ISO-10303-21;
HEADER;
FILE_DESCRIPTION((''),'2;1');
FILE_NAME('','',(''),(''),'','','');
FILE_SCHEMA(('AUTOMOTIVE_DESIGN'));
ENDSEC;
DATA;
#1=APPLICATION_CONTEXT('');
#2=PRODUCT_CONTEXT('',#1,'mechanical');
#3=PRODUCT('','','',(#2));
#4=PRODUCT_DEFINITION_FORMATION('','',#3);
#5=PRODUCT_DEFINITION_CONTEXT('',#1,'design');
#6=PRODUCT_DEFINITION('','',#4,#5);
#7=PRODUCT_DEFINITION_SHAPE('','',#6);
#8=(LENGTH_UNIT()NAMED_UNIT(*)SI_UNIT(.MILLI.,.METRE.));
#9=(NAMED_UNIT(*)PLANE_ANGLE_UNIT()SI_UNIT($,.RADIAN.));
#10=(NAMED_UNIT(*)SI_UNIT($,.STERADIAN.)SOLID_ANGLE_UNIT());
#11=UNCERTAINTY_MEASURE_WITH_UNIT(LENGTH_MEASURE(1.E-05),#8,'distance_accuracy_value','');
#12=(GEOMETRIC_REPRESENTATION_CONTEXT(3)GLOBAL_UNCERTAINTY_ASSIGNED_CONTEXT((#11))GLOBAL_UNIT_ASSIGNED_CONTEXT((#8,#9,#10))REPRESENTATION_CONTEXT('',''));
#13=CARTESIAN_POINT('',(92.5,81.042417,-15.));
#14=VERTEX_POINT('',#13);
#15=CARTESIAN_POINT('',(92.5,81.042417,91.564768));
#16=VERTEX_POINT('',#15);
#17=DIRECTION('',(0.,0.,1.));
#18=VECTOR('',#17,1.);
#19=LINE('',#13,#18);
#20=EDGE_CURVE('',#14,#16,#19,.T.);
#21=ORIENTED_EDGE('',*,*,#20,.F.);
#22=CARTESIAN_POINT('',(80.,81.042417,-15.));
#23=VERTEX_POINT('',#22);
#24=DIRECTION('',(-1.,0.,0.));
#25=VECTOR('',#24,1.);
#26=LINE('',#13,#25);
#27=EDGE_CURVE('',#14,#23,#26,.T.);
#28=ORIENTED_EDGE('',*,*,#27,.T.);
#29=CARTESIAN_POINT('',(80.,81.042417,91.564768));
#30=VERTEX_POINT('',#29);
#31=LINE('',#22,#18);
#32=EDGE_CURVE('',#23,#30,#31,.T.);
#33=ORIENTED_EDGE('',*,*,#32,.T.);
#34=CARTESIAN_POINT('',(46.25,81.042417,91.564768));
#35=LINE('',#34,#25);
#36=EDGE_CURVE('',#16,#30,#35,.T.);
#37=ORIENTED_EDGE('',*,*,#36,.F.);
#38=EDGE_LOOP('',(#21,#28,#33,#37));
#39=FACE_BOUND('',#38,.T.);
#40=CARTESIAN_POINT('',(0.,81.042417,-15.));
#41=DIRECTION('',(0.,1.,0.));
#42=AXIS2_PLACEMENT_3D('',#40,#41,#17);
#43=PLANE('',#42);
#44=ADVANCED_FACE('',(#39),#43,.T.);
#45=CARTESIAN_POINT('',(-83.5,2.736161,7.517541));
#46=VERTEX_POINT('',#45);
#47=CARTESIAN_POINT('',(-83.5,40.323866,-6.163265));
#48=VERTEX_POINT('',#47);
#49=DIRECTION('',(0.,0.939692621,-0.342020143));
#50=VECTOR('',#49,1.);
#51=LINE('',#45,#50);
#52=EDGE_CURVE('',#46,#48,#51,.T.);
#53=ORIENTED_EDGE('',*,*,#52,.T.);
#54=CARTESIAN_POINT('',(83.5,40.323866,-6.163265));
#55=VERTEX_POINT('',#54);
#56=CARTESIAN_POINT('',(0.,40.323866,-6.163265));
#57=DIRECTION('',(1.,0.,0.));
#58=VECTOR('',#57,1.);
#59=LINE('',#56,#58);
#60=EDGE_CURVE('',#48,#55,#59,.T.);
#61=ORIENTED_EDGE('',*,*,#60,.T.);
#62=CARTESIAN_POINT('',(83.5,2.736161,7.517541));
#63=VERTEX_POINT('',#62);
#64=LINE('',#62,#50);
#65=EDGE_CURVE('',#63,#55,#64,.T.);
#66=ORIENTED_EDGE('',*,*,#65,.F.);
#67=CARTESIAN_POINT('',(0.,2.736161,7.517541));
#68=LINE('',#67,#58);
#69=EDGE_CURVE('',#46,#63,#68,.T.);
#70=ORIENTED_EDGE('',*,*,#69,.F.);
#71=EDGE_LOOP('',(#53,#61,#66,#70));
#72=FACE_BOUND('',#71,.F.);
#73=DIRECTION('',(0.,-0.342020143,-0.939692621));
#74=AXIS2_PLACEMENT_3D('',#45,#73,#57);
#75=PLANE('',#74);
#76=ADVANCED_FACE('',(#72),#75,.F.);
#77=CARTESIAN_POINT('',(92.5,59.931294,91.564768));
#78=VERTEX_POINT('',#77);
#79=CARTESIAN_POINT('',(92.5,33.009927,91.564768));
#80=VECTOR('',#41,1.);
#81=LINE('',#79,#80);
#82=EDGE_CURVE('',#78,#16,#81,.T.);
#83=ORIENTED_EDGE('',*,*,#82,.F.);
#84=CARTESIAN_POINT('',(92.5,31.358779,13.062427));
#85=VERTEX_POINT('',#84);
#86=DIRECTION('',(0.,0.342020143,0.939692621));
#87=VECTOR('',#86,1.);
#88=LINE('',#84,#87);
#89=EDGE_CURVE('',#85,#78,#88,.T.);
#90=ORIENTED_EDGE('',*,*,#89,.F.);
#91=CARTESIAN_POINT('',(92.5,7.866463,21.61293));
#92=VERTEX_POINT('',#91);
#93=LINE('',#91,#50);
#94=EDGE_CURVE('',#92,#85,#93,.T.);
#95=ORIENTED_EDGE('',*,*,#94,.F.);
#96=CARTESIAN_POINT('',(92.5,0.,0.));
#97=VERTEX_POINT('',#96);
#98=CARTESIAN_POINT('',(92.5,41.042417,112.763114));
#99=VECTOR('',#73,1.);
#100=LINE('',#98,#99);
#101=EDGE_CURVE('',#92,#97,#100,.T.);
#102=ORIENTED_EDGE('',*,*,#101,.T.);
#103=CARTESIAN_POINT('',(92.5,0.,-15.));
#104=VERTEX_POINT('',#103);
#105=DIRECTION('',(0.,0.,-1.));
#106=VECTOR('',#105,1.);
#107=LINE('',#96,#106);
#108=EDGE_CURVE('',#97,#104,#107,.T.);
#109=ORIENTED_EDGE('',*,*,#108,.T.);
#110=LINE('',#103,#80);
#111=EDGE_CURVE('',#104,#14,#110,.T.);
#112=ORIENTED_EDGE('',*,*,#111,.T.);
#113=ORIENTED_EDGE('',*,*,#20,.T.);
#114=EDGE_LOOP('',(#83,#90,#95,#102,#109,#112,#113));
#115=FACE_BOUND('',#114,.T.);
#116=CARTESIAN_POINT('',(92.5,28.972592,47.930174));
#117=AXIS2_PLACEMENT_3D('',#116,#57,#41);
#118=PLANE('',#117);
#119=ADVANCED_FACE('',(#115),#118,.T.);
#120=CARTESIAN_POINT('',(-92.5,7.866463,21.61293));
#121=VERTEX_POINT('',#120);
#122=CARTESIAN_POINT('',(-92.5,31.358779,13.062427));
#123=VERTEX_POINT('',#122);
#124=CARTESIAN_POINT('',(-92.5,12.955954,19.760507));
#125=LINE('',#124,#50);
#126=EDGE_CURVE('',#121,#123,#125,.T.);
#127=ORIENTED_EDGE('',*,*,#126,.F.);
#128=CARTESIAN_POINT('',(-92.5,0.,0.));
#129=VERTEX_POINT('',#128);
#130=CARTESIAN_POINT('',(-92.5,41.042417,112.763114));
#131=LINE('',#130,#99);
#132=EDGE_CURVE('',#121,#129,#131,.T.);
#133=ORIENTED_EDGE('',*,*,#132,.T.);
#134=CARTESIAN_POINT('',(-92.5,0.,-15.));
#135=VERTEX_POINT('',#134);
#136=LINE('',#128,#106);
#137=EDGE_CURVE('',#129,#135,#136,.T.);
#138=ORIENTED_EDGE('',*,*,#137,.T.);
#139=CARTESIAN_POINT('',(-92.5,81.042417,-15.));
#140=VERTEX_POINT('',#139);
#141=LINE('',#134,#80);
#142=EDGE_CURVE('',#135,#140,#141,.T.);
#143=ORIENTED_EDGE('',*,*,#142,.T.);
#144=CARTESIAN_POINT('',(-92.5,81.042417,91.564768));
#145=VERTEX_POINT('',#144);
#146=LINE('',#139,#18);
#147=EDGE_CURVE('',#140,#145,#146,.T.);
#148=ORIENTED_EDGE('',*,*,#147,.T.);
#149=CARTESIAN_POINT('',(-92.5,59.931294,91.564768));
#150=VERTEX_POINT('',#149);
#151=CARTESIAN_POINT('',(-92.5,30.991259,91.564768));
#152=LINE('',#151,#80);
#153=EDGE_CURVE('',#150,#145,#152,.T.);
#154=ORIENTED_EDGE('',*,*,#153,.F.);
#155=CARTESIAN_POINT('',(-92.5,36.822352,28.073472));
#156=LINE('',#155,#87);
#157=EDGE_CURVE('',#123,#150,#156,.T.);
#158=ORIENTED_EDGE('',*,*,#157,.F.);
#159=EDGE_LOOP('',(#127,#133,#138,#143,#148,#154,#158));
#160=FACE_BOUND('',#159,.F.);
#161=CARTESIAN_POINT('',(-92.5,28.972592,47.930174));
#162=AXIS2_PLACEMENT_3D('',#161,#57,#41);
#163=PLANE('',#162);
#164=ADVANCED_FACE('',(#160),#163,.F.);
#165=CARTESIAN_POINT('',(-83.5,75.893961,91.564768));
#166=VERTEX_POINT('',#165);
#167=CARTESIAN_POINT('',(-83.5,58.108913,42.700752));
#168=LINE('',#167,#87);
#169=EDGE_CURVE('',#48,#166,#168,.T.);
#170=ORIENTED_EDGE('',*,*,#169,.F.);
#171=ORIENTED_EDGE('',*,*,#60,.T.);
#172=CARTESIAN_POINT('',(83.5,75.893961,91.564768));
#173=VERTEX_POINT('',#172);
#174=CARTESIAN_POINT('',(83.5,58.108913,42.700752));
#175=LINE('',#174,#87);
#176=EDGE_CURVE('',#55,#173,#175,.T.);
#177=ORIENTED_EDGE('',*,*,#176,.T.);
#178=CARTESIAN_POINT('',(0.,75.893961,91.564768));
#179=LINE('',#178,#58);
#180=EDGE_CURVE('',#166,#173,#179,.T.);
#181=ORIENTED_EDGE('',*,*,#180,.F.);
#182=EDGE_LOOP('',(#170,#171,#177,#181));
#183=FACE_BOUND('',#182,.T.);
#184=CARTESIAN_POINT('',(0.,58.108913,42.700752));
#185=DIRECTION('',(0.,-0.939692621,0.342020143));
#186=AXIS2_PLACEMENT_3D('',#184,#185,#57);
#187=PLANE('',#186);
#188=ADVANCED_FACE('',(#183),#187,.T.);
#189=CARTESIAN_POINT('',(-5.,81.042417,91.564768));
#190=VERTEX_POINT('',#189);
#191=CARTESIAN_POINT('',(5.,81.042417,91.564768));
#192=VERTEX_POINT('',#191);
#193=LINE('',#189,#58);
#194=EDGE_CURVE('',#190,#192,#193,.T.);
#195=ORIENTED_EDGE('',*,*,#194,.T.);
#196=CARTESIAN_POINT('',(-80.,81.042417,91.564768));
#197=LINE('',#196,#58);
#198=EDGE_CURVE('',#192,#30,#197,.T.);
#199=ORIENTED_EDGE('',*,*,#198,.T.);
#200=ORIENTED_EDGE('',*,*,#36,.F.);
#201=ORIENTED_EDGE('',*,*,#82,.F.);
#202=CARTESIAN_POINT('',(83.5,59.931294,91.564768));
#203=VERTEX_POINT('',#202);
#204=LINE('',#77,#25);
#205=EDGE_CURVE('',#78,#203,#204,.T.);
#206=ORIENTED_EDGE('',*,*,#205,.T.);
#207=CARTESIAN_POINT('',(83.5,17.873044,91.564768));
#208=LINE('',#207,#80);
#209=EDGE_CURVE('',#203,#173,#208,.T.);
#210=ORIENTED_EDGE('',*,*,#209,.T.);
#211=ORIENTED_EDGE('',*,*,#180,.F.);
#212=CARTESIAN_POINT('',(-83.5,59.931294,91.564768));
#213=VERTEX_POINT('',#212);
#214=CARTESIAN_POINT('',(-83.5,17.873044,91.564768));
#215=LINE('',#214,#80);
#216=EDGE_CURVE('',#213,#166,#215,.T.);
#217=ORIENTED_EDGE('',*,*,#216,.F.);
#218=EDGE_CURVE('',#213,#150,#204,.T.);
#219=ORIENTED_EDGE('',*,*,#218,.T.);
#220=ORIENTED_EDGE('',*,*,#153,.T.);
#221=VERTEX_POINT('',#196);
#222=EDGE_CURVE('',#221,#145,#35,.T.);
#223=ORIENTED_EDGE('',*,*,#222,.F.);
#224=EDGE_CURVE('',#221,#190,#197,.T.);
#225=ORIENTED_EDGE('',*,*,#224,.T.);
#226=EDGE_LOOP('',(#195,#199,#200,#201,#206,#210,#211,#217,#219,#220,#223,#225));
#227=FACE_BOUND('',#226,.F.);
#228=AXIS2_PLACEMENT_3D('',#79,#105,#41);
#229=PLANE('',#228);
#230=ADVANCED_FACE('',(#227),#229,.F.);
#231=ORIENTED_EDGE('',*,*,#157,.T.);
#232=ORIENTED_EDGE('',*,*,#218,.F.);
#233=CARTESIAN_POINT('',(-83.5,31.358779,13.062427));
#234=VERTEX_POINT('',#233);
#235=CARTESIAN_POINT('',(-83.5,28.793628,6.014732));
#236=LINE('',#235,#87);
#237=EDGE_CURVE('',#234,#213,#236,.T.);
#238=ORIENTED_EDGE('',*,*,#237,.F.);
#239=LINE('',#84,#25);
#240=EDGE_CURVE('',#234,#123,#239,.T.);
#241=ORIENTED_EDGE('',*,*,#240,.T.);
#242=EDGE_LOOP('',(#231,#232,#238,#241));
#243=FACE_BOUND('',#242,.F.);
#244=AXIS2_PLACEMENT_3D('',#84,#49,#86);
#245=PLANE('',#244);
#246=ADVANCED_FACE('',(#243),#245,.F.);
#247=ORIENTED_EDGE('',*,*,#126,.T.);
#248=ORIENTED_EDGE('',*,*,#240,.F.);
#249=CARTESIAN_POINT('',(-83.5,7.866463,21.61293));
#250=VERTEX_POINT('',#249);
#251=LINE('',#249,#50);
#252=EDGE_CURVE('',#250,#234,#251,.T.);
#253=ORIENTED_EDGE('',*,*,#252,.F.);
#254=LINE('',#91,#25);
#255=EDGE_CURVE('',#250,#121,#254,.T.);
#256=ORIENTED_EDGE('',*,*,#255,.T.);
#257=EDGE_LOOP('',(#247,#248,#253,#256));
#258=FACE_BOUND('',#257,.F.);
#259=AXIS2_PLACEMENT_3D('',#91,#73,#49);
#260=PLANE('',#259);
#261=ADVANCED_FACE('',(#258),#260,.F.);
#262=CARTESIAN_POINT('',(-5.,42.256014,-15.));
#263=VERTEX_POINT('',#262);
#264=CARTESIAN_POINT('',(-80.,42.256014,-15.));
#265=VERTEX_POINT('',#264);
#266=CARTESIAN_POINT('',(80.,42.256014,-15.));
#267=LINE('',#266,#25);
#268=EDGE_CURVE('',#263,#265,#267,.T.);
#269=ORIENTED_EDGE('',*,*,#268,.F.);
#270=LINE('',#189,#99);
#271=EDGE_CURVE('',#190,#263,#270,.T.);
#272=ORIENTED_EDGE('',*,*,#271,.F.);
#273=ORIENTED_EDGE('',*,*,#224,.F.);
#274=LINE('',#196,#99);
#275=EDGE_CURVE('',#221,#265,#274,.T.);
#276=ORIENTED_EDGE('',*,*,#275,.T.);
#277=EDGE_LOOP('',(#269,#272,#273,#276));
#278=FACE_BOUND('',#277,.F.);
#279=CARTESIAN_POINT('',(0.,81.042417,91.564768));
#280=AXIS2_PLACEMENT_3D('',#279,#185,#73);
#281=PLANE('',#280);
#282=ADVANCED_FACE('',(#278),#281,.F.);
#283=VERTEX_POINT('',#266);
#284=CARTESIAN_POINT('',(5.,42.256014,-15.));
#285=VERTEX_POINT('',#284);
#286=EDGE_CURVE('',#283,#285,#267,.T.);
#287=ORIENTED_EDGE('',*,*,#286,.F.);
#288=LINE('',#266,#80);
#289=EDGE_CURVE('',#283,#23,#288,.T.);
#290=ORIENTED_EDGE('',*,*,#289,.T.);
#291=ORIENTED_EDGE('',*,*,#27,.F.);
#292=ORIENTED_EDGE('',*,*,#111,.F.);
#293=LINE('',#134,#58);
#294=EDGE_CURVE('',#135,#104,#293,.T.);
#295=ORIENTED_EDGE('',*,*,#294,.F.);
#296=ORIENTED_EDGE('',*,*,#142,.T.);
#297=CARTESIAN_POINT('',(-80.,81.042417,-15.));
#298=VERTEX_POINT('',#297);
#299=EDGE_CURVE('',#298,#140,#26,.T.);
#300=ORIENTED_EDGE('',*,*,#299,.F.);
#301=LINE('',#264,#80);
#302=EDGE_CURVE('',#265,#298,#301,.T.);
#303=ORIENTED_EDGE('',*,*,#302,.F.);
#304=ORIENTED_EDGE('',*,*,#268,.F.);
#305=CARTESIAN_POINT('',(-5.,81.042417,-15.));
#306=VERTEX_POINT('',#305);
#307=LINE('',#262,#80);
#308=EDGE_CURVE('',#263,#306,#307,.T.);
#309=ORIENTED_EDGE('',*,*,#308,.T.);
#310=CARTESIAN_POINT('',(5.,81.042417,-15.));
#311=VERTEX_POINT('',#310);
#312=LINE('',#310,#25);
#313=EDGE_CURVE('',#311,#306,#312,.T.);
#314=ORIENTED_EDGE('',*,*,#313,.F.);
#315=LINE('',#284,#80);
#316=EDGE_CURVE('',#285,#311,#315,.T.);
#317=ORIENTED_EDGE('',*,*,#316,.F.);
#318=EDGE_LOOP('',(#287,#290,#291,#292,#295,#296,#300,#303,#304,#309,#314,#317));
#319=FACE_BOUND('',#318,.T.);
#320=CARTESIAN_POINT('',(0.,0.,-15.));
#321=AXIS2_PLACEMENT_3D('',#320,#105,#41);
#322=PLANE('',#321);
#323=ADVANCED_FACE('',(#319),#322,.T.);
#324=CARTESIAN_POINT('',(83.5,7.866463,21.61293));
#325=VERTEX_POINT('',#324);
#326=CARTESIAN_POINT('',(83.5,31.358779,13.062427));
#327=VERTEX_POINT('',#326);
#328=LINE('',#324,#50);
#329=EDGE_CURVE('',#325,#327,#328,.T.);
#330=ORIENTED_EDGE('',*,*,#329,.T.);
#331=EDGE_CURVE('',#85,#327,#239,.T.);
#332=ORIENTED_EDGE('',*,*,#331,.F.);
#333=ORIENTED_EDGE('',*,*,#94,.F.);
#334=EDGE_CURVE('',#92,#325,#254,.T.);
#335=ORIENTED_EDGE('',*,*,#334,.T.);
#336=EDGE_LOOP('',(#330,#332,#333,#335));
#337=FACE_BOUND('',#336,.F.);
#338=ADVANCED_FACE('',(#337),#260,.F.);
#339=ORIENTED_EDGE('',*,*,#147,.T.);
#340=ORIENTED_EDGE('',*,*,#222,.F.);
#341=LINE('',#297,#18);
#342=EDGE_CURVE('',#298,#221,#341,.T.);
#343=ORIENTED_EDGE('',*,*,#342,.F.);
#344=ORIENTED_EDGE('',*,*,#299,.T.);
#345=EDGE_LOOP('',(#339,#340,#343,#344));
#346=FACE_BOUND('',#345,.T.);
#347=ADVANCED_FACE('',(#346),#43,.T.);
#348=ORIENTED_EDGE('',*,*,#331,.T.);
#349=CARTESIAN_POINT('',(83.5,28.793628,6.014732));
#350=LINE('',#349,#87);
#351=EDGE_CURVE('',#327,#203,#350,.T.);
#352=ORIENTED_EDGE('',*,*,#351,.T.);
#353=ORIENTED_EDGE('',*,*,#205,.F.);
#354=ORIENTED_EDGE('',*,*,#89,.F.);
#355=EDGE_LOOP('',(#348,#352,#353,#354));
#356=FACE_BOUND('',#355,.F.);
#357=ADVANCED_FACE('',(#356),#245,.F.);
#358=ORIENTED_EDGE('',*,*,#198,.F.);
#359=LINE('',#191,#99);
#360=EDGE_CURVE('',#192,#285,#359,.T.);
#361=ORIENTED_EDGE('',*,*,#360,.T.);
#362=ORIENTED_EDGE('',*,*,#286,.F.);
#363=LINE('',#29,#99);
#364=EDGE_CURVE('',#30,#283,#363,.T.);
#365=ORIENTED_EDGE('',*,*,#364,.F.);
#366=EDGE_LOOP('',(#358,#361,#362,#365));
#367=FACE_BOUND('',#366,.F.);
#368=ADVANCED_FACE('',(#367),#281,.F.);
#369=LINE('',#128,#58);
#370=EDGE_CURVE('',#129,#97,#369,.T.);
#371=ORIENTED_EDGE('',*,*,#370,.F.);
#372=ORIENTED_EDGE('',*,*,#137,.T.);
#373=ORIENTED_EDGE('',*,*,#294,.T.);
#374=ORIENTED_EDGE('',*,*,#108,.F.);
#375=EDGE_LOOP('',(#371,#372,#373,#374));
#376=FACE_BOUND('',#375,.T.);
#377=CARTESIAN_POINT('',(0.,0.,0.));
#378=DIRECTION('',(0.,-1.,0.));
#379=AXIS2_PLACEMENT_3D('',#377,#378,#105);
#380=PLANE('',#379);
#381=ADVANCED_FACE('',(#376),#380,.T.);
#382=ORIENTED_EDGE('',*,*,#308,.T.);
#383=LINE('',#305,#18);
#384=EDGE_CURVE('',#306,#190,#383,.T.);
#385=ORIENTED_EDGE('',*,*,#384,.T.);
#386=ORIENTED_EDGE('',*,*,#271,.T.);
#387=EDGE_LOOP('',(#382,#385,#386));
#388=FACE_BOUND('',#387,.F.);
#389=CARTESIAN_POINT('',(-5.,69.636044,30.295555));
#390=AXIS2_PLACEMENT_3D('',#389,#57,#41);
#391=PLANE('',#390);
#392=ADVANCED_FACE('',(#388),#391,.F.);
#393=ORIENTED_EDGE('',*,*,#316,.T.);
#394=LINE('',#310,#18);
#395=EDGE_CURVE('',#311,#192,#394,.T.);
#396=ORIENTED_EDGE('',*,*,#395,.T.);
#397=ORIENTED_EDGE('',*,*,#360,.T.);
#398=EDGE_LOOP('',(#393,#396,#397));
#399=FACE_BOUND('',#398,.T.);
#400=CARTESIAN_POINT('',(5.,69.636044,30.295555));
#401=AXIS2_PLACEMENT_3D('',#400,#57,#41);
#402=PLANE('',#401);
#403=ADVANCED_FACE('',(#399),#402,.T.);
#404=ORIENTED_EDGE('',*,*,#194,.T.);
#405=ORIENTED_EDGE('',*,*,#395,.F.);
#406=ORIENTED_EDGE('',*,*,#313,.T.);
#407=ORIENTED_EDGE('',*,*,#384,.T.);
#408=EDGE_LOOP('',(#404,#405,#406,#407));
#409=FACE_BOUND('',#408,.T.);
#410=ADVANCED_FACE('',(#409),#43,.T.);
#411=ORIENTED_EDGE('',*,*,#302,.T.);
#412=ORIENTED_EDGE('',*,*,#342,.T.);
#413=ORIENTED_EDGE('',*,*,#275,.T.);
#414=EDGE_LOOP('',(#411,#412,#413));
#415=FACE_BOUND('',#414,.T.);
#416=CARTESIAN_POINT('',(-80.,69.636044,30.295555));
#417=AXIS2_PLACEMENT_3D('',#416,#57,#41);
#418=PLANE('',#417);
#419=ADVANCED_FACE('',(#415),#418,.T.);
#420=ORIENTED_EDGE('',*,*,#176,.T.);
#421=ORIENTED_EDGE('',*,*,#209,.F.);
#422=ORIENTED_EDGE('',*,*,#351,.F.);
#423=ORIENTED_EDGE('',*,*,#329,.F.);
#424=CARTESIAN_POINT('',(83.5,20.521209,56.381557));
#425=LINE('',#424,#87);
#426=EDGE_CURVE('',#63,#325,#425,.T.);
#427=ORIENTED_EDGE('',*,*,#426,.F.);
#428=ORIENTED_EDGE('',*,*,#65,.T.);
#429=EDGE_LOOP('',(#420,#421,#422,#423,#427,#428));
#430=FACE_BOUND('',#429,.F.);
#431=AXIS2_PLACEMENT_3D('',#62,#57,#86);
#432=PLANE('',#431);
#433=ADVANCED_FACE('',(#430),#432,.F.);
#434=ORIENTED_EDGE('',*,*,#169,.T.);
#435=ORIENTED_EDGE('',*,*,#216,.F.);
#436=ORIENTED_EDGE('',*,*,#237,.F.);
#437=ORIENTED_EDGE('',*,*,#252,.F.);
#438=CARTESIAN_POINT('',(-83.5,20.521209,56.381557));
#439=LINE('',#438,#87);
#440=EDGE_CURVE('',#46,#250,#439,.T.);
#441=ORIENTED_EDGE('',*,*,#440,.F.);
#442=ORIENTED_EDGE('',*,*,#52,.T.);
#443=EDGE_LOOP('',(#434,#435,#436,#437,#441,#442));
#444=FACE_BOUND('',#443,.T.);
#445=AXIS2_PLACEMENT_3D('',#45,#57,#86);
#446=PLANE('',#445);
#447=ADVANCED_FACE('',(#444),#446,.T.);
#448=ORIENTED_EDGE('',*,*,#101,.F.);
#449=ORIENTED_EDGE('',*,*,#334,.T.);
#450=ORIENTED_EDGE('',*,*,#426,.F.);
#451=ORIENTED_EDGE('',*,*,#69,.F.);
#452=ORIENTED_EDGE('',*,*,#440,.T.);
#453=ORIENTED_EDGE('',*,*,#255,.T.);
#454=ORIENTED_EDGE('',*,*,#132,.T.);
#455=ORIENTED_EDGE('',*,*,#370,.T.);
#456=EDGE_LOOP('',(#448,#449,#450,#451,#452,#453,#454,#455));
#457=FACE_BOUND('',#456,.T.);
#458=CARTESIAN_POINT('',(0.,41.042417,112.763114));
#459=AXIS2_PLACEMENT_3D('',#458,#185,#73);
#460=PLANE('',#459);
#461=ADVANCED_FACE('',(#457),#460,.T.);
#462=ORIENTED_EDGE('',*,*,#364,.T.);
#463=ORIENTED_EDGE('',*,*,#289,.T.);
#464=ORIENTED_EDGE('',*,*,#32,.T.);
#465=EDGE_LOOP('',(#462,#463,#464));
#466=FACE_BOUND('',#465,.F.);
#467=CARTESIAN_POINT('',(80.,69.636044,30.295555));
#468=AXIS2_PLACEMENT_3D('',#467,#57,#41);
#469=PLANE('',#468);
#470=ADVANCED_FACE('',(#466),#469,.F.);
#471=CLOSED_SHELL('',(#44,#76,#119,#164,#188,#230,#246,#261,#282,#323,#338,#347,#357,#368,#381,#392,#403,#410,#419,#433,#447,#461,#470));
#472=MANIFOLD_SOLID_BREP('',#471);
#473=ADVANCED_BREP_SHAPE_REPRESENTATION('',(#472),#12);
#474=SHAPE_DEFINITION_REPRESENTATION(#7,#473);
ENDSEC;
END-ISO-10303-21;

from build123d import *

# Parameters (mm, degrees)
F0_W      = 40
F0_H      = 112.7631144943
F1_DEPTH  = 92.5
F2_W      = 167
F2_H      = 104
F3_DEPTH  = 40
F4_W      = 19.1075097164
F4_H      = 21.1983466993
F5_DEPTH  = 200
F7_DEPTH  = 200
F9_DEPTH  = 80
F10_DEPTH = 5


with BuildPart() as f1:
    # F0 (on Right) → F1 (new body, symmetric)
    with BuildSketch(Plane.YZ):
        Polygon((41.0424171991, 112.7631144943), (0, 0), (41.0424171991, 0), align=None)
        Polygon((41.0424171991, 0), (0, 0), (0, -15), (81.0424171991, -15), (81.0424171991, 0), align=None)
        with Locations((61.0424171991, 56.3815572472)):
            Rectangle(F0_W, F0_H)
    extrude(amount=F1_DEPTH, both=True)

    # F2 (on face) → F3 (cut)
    with BuildSketch(Plane(origin=(0, 0, 0), x_dir=(1, 0, 0), z_dir=(0, -0.9396926208, 0.3420201433))):
        with Locations((0, 60)):
            Rectangle(F2_W, F2_H)
    extrude(amount=-F3_DEPTH, mode=Mode.SUBTRACT)

    # F4 (on face) → F5 (cut)
    with BuildSketch(Plane.YZ.offset(92.5)):
        with Locations((90.5961720573, 102.1639411447)):
            Rectangle(F4_W, F4_H)
        Polygon((81.0424171991, 91.564767795), (81.0424171991, 112.7631144943), (41.0424171991, 112.7631144943), (33.3268499849, 91.564767795), align=None)
        Polygon((33.3268499849, 91.564767795), (41.0424171991, 112.7631144943), (33.0099269154, 112.7631144943), (33.0099269154, 91.564767795), align=None)
    extrude(amount=-F5_DEPTH, mode=Mode.SUBTRACT)

    # F6 (on face) → F7 (cut)
    with BuildSketch(Plane.YZ.offset(92.5)):
        Polygon((33.3268499849, 91.564767795), (7.8664632965, 21.6129302781), (31.3587788161, 13.0624266949), (59.9312942968, 91.564767795), align=None)
    extrude(amount=-F7_DEPTH, mode=Mode.SUBTRACT)

    # F8 (on Right) → F9 (cut, symmetric)
    with BuildSketch(Plane.YZ):
        Polygon((81.0424171991, -15), (81.0424171991, 91.564767795), (42.2560137002, -15), align=None)
    extrude(amount=F9_DEPTH, both=True, mode=Mode.SUBTRACT)

    # F8 (on Right) → F10 (join, symmetric)
    with BuildSketch(Plane.YZ):
        Polygon((81.0424171991, -15), (81.0424171991, 91.564767795), (42.2560137002, -15), align=None)
    extrude(amount=F10_DEPTH, both=True)


solid = f1.part
